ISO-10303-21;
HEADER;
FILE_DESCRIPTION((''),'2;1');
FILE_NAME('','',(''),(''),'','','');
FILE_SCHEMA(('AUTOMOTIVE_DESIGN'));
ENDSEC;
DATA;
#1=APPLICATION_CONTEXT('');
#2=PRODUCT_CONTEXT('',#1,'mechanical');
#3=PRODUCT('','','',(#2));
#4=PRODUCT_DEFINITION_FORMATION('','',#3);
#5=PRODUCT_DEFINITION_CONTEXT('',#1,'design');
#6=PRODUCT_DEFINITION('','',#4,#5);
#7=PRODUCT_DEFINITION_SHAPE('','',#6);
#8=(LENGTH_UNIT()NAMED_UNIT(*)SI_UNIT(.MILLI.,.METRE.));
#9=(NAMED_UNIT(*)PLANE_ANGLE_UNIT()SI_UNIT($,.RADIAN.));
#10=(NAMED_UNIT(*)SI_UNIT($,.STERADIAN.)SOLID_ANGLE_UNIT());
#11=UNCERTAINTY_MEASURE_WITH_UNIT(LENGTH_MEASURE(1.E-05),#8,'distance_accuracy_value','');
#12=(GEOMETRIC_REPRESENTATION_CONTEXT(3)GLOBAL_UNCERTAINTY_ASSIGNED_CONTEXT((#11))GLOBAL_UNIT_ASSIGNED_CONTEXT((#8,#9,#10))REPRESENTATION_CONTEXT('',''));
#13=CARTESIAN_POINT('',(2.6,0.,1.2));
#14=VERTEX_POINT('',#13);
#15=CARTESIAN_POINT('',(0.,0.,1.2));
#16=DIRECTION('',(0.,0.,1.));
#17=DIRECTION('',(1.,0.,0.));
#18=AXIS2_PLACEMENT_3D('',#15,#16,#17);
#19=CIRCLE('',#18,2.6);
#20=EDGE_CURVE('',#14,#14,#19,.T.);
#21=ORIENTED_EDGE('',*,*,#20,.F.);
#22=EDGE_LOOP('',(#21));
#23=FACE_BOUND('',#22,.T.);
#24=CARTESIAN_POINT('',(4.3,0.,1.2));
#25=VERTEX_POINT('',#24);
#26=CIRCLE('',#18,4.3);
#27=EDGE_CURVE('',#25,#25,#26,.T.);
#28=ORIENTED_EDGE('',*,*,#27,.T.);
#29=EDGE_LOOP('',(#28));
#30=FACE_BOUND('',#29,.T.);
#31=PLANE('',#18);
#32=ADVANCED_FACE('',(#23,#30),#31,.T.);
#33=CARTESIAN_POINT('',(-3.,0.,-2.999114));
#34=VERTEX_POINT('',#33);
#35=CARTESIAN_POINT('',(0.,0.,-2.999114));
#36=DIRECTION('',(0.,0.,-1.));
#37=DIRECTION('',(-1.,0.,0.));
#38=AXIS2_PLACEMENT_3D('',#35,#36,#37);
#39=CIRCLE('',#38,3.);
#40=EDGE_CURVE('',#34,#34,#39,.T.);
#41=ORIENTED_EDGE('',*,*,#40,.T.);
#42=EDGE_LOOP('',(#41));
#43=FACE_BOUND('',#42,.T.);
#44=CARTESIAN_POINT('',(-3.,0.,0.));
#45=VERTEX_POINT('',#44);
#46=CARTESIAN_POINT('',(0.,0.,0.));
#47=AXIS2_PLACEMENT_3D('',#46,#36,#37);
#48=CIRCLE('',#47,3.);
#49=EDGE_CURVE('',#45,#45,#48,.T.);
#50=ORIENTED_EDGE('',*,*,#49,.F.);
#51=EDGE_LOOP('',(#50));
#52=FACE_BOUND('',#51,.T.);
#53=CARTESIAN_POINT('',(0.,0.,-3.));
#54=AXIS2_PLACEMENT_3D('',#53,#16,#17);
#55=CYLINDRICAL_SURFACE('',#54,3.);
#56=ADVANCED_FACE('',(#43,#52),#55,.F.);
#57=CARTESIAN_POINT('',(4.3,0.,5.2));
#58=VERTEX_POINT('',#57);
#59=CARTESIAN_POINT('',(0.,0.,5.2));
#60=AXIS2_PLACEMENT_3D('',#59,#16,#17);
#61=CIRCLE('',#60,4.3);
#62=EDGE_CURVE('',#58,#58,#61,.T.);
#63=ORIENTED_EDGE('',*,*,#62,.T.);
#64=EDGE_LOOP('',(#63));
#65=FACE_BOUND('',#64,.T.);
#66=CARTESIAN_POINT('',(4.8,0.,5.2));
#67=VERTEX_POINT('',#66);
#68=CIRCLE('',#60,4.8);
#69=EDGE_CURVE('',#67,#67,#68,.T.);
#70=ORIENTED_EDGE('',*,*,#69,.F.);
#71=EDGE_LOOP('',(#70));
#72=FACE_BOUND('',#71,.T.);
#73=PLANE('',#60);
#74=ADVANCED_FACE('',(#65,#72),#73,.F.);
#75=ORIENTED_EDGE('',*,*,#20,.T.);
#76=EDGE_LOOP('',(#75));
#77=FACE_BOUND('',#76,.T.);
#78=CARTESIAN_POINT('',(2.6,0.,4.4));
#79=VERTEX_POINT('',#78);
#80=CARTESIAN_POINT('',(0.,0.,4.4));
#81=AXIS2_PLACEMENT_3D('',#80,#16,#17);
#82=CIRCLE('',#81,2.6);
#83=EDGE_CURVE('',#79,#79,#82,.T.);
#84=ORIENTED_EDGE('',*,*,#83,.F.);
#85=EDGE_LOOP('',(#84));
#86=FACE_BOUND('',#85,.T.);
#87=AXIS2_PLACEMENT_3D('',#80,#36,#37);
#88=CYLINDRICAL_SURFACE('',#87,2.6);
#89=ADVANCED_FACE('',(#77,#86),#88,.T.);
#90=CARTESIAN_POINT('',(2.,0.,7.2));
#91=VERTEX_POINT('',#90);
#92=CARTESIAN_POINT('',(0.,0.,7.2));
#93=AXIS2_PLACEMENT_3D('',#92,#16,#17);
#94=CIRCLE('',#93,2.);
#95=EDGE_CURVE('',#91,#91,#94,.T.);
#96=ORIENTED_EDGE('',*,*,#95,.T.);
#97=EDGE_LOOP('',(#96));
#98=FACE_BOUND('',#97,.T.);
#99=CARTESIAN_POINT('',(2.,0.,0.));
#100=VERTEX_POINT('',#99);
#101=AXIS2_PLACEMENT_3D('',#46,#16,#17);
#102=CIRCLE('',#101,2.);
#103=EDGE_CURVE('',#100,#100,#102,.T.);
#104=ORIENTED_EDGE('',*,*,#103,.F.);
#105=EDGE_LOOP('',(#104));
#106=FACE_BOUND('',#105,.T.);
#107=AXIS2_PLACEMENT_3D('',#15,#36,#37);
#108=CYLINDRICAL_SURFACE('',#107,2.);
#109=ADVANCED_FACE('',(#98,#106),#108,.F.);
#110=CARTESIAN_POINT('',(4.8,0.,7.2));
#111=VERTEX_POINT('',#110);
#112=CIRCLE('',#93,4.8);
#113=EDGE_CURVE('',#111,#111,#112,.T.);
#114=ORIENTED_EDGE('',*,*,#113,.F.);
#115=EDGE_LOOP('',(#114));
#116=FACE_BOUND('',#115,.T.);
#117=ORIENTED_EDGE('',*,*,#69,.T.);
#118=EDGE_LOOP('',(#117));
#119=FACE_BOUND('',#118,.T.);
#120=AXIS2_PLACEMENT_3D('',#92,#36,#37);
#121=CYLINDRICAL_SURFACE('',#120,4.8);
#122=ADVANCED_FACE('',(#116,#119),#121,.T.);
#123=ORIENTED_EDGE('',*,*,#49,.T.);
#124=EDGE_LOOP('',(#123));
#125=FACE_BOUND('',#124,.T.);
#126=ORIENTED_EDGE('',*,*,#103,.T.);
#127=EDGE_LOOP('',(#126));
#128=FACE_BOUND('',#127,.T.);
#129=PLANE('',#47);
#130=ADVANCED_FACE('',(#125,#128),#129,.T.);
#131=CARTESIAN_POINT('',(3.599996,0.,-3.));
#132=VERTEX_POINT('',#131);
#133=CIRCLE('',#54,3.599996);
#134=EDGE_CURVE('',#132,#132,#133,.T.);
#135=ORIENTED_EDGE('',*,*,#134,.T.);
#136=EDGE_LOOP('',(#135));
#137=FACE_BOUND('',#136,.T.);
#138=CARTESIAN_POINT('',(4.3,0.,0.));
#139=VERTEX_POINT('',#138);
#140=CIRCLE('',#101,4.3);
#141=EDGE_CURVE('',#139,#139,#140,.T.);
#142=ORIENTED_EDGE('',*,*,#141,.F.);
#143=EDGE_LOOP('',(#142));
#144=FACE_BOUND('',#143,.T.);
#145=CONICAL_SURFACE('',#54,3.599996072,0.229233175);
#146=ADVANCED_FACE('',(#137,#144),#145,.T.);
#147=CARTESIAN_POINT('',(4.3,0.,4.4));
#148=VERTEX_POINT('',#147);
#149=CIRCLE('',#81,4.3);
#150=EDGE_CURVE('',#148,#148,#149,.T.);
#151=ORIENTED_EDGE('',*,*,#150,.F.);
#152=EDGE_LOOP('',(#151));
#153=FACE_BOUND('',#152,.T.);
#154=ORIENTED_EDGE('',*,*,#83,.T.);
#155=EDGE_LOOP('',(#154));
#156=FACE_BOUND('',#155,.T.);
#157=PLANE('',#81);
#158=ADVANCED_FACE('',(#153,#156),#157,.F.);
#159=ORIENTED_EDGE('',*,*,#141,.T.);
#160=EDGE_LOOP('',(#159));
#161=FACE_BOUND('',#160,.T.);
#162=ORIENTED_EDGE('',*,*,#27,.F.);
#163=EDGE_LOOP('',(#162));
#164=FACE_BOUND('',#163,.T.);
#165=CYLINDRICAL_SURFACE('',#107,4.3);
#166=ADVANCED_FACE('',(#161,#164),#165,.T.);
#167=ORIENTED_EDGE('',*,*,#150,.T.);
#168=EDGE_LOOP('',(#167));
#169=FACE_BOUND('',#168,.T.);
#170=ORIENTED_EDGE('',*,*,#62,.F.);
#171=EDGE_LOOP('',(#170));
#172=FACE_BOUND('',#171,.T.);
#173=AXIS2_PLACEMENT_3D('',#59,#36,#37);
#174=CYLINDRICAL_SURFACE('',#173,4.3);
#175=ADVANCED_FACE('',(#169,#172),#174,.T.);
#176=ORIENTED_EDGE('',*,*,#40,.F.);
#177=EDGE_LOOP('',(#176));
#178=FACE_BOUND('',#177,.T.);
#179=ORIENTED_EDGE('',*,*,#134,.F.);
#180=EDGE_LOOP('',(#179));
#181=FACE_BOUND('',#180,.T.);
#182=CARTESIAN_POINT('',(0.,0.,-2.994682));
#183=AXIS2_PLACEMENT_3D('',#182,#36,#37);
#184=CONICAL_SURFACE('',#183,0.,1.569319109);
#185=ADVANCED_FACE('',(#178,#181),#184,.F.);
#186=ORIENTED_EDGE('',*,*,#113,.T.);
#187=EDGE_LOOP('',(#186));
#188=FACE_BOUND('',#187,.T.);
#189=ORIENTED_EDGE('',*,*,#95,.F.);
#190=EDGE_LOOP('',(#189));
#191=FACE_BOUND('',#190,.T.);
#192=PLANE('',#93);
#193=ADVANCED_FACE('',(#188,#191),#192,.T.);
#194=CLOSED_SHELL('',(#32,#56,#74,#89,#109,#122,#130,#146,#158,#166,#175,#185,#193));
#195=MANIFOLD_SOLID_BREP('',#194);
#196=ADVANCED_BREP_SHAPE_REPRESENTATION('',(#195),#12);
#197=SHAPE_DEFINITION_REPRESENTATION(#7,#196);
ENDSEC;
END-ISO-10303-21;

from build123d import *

# Parameters (mm, degrees)
ESQUISSE1_R             = 4.3
ESQUISSE1_R_2           = 2.6
ESQUISSE1_R_3           = 2
BOSS_EXTRU_1_DEPTH      = 1.2
ESQUISSE2_R             = 2.6
ESQUISSE2_R_2           = 2
BOSS_EXTRU_3_DEPTH      = 3.2
ESQUISSE3_R             = 4.3
ESQUISSE3_R_2           = 2
BOSS_EXTRU_4_DEPTH      = 0.8
ESQUISSE4_R             = 4.8
ESQUISSE4_R_2           = 2
BOSS_EXTRU_5_DEPTH      = 2
ESQUISSE6_R             = 3
ENL_V_MAT_EXTRU_1_DEPTH = 3


with BuildPart() as part:
    # Esquisse1 → Boss.-Extru.1 (new body)
    # profile 1 of 2: a face of its own
    with BuildSketch(Plane.XY):
        Circle(ESQUISSE1_R)
        Circle(ESQUISSE1_R_2, mode=Mode.SUBTRACT)
    # profile 2 of 2: a face of its own
    with BuildSketch(Plane.XY):
        Circle(ESQUISSE1_R_2)
        Circle(ESQUISSE1_R_3, mode=Mode.SUBTRACT)
    extrude(amount=BOSS_EXTRU_1_DEPTH)

    # Esquisse2 → Boss.-Extru.3 (add)
    with BuildSketch(Plane.XY.offset(1.2)):
        Circle(ESQUISSE2_R)
        Circle(ESQUISSE2_R_2, mode=Mode.SUBTRACT)
    extrude(amount=BOSS_EXTRU_3_DEPTH)

    # Esquisse3 → Boss.-Extru.4 (add)
    with BuildSketch(Plane.XY.offset(4.4)):
        Circle(ESQUISSE3_R)
        Circle(ESQUISSE3_R_2, mode=Mode.SUBTRACT)
    extrude(amount=BOSS_EXTRU_4_DEPTH)

    # Esquisse4 → Boss.-Extru.5 (add)
    with BuildSketch(Plane.XY.offset(5.2)):
        Circle(ESQUISSE4_R)
        Circle(ESQUISSE4_R_2, mode=Mode.SUBTRACT)
    extrude(amount=BOSS_EXTRU_5_DEPTH)

    # Esquisse5 → Révolution2 (revolve)
    with BuildSketch(Plane(origin=(0, 0, 0), x_dir=(1, 0, 0), z_dir=(0, 1, 0)), mode=Mode.PRIVATE) as r_volution2_sk:
        Polygon((-4.3, 0), (-3.599996072, 3), (0, 2.994682018), (0, 0), align=None)
    revolve(r_volution2_sk.sketch.rotate(Axis((0, 0, 7.316321581), (0, 0, -1)), 180), axis=Axis((0, 0, 7.316321581), (0, 0, -1)))

    # Esquisse6 → Enlèv. mat.-Extru.1 (cut)
    with BuildSketch(Plane(origin=(0, 0, 0), x_dir=(-1, 0, 0), z_dir=(0, 0, -1))):
        Circle(ESQUISSE6_R)
    extrude(amount=ENL_V_MAT_EXTRU_1_DEPTH, mode=Mode.SUBTRACT)


solid = part.part
